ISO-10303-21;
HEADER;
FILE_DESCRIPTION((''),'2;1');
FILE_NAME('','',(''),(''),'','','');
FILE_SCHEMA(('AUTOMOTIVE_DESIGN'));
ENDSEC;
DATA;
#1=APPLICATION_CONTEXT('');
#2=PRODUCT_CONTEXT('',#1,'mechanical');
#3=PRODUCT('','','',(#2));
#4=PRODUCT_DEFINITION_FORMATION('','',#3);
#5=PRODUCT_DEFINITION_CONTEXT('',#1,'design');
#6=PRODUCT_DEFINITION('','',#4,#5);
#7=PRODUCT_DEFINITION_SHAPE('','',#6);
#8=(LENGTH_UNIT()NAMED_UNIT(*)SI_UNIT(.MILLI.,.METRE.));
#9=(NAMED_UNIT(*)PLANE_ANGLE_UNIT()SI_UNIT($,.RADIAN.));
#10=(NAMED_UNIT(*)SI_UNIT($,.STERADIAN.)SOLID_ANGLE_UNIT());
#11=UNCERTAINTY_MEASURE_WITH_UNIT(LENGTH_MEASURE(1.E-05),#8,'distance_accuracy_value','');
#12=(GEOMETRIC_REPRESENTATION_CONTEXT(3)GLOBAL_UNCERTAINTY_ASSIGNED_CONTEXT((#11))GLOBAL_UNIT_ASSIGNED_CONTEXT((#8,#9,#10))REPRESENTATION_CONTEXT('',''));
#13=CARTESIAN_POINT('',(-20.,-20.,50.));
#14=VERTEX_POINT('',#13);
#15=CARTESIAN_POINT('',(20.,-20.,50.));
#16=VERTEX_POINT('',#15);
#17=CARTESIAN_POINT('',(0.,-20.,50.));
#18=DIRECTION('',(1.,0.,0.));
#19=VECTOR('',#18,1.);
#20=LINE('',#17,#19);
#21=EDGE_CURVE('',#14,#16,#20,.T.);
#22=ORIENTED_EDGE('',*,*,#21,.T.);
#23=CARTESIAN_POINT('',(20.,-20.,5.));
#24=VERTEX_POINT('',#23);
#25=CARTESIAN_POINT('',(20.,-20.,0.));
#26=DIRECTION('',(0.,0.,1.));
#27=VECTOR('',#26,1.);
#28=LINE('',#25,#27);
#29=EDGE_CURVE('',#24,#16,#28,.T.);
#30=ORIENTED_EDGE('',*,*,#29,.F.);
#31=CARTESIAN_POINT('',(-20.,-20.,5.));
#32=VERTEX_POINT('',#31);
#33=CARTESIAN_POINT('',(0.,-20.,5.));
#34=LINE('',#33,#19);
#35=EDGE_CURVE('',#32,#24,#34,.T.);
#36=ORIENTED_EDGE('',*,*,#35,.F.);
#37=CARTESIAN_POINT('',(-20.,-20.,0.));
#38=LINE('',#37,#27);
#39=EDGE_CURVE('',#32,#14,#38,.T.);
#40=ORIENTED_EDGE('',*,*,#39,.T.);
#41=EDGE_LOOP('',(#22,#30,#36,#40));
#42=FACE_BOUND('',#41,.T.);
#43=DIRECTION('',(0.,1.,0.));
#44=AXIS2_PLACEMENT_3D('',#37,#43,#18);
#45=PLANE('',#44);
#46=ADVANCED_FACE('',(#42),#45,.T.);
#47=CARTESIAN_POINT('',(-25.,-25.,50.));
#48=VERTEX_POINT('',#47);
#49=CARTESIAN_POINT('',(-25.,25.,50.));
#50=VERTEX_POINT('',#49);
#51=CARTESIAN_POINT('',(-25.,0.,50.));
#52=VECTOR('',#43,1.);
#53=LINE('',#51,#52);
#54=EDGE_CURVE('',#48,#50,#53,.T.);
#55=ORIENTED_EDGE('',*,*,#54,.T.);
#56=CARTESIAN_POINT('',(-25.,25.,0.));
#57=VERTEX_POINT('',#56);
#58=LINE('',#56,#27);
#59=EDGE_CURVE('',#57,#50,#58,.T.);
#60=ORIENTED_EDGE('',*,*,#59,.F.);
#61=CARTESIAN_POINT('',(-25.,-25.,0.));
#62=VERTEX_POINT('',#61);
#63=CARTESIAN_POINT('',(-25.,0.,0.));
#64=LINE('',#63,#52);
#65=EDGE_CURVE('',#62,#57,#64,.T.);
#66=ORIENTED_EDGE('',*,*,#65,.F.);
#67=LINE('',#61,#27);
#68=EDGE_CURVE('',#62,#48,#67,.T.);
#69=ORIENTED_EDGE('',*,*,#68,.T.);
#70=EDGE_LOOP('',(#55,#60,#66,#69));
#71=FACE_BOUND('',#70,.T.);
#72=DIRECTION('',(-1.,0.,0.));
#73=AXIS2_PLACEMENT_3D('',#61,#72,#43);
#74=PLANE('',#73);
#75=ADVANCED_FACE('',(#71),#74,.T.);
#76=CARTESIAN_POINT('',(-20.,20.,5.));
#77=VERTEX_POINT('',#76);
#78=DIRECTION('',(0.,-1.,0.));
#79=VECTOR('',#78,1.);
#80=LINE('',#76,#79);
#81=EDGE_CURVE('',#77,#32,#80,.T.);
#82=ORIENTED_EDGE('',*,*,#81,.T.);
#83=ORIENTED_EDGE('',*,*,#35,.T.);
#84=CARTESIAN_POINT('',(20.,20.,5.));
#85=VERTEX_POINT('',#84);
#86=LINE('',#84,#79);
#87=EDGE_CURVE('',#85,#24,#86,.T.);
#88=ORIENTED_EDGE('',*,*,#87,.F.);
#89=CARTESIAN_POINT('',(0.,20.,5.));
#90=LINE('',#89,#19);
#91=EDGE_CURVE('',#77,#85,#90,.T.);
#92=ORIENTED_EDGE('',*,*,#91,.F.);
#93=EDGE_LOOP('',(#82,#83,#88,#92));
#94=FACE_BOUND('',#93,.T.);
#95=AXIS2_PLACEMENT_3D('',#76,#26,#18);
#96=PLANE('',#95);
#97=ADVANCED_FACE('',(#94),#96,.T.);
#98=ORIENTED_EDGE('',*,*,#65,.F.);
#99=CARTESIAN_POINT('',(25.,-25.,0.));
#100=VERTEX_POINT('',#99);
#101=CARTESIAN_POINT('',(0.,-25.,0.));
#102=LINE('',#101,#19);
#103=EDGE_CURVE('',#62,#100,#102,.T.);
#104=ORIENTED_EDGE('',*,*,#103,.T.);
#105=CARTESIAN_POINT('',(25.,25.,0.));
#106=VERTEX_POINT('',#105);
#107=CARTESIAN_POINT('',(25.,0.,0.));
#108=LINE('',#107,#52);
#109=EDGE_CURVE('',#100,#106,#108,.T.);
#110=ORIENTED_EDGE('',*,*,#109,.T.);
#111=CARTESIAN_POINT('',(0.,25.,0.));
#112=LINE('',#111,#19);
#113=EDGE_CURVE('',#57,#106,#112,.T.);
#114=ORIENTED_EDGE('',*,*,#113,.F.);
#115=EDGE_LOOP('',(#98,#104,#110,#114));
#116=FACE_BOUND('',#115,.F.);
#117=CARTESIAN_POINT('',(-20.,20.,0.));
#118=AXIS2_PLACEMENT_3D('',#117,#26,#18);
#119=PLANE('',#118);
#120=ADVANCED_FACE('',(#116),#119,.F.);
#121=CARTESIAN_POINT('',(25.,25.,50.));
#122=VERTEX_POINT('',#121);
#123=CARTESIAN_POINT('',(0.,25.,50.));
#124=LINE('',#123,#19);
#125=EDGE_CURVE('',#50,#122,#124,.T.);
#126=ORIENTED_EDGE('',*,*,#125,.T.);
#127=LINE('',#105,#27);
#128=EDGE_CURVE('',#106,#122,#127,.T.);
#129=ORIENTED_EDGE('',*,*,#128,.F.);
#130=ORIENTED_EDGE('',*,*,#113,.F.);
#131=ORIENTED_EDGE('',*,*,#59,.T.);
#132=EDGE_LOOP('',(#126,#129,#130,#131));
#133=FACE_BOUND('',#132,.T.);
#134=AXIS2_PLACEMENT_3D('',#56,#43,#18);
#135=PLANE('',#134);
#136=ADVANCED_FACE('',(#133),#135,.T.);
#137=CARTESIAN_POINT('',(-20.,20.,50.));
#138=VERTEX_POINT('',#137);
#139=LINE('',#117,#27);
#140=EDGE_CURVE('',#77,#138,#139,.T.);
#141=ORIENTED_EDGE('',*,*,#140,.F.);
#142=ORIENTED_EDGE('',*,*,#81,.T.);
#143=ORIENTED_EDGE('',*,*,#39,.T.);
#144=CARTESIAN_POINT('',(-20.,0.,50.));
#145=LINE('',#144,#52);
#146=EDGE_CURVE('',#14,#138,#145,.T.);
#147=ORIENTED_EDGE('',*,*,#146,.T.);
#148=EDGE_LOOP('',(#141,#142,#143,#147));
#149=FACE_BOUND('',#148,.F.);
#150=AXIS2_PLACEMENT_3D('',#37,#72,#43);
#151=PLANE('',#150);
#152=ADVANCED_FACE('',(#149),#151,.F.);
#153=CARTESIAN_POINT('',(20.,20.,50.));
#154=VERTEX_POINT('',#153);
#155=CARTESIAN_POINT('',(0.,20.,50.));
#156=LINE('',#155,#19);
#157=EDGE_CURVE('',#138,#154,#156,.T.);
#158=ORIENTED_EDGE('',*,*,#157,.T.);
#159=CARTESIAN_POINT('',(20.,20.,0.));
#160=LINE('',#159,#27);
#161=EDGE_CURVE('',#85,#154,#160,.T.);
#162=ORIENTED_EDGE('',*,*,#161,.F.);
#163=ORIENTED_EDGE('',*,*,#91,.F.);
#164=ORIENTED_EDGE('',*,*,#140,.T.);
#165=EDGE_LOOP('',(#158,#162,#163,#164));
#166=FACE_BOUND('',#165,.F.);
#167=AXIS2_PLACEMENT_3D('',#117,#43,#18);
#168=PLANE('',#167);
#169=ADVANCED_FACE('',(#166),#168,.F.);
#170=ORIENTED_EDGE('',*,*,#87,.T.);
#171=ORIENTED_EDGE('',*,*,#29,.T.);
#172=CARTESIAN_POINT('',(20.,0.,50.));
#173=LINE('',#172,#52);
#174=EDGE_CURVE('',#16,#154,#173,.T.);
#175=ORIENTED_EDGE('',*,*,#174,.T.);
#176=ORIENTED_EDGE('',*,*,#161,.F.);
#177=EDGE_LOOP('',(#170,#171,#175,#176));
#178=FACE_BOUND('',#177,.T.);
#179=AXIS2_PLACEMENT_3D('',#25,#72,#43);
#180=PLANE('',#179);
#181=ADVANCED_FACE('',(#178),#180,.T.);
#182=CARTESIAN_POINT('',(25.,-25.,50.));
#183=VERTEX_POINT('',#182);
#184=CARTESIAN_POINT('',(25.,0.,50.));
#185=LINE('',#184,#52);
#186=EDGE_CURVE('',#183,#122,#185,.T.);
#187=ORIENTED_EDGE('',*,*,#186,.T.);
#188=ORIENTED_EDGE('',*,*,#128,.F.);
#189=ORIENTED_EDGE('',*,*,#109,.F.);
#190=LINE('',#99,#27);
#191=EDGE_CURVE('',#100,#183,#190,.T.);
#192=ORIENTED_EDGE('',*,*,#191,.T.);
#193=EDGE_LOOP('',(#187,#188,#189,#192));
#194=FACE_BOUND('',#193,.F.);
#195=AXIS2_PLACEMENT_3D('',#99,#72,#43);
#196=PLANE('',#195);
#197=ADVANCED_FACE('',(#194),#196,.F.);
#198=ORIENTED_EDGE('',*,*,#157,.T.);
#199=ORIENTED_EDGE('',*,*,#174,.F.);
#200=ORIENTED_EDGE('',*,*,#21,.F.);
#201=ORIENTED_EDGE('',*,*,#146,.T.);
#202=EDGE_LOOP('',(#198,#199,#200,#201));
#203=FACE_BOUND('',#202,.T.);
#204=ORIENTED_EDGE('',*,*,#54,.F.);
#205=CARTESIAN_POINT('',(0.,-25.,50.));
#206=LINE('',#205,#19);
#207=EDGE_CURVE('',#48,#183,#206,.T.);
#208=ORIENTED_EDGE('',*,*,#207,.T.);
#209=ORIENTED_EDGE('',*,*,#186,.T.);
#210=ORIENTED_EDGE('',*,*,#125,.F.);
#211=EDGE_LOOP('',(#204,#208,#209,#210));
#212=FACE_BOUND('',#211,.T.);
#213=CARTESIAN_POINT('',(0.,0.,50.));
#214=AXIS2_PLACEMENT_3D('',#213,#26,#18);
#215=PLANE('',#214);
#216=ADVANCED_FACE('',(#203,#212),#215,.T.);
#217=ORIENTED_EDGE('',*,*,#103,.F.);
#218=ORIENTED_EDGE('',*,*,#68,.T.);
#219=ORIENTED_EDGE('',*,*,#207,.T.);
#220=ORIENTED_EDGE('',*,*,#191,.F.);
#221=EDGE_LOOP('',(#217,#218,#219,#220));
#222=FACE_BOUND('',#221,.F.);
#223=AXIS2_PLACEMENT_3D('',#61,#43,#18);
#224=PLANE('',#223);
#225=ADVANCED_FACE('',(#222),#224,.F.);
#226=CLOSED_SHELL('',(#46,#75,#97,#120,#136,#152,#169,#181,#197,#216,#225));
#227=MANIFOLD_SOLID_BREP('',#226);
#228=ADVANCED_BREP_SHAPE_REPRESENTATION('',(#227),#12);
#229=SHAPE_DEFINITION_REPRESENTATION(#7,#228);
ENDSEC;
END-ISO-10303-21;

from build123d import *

# Parameters (mm, degrees)
F0_W     = 50
F0_H     = 50
F0_W_2   = 40
F0_H_2   = 40
F1_DEPTH = 50
F2_W     = 40
F2_H     = 5
F3_DEPTH = 40


with BuildPart() as f1:
    # F0 (on Top) → F1 (new body)
    with BuildSketch(Plane.XY):
        Rectangle(F0_W, F0_H)
        Rectangle(F0_W_2, F0_H_2, mode=Mode.SUBTRACT)
    extrude(amount=F1_DEPTH)

    # F2 (on face) → F3 (join)
    with BuildSketch(Plane.XZ.offset(-20)):
        with Locations((0, 2.5)):
            Rectangle(F2_W, F2_H)
    extrude(amount=F3_DEPTH)


solid = f1.part
